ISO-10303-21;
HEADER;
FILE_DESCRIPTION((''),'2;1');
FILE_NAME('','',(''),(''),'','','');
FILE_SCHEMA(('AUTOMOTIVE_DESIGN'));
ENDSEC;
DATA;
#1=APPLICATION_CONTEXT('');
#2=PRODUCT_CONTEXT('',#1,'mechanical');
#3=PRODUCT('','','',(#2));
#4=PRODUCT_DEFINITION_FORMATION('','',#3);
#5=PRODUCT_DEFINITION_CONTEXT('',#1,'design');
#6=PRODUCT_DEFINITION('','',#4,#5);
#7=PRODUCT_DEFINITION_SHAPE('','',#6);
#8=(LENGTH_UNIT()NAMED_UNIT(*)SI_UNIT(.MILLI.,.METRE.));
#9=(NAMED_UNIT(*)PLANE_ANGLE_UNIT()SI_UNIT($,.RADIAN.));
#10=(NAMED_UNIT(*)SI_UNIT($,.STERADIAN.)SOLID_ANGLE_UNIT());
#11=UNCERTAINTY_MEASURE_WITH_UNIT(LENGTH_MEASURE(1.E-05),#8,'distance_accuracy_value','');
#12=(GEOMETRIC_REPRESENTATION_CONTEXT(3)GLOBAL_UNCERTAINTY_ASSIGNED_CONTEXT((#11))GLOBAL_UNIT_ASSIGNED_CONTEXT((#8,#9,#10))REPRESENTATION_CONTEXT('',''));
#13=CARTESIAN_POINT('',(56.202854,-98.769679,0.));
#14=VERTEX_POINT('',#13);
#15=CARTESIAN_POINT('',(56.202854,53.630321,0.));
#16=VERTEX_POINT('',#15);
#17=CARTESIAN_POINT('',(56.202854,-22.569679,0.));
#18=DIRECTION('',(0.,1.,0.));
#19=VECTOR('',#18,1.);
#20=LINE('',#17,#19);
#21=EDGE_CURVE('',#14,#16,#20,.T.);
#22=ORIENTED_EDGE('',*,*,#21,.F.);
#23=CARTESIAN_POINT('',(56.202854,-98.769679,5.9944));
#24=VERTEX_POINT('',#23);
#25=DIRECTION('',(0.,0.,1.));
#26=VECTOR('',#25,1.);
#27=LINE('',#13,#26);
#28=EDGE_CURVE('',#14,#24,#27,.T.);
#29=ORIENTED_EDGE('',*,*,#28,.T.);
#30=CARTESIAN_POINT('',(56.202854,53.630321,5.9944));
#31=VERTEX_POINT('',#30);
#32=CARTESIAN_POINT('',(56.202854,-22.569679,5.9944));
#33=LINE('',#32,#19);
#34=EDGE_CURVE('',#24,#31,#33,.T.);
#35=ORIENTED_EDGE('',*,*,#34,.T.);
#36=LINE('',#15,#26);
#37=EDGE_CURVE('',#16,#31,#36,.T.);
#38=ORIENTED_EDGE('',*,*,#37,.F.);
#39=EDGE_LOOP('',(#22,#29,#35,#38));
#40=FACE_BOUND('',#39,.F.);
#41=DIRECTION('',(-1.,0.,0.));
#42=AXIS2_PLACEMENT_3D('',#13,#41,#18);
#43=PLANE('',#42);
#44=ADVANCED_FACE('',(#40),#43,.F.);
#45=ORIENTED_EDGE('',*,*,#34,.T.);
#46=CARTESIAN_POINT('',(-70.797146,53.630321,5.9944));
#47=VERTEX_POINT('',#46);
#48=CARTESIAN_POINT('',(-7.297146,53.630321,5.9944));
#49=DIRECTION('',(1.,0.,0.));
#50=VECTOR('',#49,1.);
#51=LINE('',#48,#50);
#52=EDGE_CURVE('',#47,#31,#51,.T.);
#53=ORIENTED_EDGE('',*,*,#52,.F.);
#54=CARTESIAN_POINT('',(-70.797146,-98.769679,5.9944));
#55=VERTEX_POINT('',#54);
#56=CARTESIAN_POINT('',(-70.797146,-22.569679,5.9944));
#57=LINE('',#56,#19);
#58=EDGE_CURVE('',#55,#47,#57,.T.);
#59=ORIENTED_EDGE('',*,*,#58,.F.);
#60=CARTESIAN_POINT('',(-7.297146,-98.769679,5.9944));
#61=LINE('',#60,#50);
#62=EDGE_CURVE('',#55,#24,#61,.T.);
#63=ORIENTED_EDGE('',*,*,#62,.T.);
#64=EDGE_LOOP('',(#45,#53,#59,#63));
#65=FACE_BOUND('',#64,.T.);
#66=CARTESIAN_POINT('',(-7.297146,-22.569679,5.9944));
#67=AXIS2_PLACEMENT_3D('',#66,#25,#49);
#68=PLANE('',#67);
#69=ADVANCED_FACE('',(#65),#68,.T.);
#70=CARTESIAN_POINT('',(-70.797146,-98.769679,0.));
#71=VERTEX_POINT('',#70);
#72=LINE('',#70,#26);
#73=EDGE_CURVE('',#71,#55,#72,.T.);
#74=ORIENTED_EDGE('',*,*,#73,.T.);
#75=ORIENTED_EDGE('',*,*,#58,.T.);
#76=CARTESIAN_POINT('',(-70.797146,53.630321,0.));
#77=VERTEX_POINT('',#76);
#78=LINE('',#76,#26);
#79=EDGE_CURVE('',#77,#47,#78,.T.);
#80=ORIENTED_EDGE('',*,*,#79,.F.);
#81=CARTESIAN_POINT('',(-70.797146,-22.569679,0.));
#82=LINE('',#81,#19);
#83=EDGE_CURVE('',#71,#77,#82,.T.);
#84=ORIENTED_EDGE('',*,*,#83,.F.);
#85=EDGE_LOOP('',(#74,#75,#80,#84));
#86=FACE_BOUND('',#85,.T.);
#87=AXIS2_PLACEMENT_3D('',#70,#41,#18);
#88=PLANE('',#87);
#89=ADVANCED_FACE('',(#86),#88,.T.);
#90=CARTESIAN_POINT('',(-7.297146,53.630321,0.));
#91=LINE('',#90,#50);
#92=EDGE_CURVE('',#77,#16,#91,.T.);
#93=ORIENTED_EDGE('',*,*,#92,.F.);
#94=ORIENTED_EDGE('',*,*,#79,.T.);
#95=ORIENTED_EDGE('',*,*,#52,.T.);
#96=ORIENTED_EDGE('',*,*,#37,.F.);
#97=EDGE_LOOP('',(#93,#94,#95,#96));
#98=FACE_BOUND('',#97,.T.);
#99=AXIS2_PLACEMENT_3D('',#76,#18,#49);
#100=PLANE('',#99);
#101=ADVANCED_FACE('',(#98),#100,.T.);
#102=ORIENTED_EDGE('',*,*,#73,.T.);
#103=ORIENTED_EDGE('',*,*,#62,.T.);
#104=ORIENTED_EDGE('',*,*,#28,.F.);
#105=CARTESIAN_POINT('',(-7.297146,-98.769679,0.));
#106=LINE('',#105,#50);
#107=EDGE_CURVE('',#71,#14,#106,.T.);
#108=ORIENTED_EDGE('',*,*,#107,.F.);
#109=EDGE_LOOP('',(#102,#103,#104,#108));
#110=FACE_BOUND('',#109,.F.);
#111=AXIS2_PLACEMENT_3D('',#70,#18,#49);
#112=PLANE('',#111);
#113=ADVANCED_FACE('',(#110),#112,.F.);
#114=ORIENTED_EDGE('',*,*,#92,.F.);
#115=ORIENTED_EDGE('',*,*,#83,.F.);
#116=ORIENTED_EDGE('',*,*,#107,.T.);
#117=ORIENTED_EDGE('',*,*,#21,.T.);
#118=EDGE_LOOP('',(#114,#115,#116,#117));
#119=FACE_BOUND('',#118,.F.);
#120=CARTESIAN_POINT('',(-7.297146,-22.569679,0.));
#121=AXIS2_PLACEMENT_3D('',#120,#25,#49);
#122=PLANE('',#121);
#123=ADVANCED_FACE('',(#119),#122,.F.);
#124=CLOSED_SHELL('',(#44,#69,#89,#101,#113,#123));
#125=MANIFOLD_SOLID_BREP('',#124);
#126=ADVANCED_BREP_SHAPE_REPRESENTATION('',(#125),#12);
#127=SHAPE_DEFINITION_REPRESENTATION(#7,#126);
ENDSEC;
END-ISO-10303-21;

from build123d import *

# Parameters (mm, degrees)
SKETCH001_W   = 127
SKETCH001_H   = 152.4
EXTRUDE_DEPTH = 5.9944


with BuildPart() as part:
    # Sketch001 → Extrude (new body)
    with BuildSketch(Plane.XY):
        with Locations((-7.297146, -22.569679)):
            Rectangle(SKETCH001_W, SKETCH001_H)
    extrude(amount=EXTRUDE_DEPTH)


solid = part.part
